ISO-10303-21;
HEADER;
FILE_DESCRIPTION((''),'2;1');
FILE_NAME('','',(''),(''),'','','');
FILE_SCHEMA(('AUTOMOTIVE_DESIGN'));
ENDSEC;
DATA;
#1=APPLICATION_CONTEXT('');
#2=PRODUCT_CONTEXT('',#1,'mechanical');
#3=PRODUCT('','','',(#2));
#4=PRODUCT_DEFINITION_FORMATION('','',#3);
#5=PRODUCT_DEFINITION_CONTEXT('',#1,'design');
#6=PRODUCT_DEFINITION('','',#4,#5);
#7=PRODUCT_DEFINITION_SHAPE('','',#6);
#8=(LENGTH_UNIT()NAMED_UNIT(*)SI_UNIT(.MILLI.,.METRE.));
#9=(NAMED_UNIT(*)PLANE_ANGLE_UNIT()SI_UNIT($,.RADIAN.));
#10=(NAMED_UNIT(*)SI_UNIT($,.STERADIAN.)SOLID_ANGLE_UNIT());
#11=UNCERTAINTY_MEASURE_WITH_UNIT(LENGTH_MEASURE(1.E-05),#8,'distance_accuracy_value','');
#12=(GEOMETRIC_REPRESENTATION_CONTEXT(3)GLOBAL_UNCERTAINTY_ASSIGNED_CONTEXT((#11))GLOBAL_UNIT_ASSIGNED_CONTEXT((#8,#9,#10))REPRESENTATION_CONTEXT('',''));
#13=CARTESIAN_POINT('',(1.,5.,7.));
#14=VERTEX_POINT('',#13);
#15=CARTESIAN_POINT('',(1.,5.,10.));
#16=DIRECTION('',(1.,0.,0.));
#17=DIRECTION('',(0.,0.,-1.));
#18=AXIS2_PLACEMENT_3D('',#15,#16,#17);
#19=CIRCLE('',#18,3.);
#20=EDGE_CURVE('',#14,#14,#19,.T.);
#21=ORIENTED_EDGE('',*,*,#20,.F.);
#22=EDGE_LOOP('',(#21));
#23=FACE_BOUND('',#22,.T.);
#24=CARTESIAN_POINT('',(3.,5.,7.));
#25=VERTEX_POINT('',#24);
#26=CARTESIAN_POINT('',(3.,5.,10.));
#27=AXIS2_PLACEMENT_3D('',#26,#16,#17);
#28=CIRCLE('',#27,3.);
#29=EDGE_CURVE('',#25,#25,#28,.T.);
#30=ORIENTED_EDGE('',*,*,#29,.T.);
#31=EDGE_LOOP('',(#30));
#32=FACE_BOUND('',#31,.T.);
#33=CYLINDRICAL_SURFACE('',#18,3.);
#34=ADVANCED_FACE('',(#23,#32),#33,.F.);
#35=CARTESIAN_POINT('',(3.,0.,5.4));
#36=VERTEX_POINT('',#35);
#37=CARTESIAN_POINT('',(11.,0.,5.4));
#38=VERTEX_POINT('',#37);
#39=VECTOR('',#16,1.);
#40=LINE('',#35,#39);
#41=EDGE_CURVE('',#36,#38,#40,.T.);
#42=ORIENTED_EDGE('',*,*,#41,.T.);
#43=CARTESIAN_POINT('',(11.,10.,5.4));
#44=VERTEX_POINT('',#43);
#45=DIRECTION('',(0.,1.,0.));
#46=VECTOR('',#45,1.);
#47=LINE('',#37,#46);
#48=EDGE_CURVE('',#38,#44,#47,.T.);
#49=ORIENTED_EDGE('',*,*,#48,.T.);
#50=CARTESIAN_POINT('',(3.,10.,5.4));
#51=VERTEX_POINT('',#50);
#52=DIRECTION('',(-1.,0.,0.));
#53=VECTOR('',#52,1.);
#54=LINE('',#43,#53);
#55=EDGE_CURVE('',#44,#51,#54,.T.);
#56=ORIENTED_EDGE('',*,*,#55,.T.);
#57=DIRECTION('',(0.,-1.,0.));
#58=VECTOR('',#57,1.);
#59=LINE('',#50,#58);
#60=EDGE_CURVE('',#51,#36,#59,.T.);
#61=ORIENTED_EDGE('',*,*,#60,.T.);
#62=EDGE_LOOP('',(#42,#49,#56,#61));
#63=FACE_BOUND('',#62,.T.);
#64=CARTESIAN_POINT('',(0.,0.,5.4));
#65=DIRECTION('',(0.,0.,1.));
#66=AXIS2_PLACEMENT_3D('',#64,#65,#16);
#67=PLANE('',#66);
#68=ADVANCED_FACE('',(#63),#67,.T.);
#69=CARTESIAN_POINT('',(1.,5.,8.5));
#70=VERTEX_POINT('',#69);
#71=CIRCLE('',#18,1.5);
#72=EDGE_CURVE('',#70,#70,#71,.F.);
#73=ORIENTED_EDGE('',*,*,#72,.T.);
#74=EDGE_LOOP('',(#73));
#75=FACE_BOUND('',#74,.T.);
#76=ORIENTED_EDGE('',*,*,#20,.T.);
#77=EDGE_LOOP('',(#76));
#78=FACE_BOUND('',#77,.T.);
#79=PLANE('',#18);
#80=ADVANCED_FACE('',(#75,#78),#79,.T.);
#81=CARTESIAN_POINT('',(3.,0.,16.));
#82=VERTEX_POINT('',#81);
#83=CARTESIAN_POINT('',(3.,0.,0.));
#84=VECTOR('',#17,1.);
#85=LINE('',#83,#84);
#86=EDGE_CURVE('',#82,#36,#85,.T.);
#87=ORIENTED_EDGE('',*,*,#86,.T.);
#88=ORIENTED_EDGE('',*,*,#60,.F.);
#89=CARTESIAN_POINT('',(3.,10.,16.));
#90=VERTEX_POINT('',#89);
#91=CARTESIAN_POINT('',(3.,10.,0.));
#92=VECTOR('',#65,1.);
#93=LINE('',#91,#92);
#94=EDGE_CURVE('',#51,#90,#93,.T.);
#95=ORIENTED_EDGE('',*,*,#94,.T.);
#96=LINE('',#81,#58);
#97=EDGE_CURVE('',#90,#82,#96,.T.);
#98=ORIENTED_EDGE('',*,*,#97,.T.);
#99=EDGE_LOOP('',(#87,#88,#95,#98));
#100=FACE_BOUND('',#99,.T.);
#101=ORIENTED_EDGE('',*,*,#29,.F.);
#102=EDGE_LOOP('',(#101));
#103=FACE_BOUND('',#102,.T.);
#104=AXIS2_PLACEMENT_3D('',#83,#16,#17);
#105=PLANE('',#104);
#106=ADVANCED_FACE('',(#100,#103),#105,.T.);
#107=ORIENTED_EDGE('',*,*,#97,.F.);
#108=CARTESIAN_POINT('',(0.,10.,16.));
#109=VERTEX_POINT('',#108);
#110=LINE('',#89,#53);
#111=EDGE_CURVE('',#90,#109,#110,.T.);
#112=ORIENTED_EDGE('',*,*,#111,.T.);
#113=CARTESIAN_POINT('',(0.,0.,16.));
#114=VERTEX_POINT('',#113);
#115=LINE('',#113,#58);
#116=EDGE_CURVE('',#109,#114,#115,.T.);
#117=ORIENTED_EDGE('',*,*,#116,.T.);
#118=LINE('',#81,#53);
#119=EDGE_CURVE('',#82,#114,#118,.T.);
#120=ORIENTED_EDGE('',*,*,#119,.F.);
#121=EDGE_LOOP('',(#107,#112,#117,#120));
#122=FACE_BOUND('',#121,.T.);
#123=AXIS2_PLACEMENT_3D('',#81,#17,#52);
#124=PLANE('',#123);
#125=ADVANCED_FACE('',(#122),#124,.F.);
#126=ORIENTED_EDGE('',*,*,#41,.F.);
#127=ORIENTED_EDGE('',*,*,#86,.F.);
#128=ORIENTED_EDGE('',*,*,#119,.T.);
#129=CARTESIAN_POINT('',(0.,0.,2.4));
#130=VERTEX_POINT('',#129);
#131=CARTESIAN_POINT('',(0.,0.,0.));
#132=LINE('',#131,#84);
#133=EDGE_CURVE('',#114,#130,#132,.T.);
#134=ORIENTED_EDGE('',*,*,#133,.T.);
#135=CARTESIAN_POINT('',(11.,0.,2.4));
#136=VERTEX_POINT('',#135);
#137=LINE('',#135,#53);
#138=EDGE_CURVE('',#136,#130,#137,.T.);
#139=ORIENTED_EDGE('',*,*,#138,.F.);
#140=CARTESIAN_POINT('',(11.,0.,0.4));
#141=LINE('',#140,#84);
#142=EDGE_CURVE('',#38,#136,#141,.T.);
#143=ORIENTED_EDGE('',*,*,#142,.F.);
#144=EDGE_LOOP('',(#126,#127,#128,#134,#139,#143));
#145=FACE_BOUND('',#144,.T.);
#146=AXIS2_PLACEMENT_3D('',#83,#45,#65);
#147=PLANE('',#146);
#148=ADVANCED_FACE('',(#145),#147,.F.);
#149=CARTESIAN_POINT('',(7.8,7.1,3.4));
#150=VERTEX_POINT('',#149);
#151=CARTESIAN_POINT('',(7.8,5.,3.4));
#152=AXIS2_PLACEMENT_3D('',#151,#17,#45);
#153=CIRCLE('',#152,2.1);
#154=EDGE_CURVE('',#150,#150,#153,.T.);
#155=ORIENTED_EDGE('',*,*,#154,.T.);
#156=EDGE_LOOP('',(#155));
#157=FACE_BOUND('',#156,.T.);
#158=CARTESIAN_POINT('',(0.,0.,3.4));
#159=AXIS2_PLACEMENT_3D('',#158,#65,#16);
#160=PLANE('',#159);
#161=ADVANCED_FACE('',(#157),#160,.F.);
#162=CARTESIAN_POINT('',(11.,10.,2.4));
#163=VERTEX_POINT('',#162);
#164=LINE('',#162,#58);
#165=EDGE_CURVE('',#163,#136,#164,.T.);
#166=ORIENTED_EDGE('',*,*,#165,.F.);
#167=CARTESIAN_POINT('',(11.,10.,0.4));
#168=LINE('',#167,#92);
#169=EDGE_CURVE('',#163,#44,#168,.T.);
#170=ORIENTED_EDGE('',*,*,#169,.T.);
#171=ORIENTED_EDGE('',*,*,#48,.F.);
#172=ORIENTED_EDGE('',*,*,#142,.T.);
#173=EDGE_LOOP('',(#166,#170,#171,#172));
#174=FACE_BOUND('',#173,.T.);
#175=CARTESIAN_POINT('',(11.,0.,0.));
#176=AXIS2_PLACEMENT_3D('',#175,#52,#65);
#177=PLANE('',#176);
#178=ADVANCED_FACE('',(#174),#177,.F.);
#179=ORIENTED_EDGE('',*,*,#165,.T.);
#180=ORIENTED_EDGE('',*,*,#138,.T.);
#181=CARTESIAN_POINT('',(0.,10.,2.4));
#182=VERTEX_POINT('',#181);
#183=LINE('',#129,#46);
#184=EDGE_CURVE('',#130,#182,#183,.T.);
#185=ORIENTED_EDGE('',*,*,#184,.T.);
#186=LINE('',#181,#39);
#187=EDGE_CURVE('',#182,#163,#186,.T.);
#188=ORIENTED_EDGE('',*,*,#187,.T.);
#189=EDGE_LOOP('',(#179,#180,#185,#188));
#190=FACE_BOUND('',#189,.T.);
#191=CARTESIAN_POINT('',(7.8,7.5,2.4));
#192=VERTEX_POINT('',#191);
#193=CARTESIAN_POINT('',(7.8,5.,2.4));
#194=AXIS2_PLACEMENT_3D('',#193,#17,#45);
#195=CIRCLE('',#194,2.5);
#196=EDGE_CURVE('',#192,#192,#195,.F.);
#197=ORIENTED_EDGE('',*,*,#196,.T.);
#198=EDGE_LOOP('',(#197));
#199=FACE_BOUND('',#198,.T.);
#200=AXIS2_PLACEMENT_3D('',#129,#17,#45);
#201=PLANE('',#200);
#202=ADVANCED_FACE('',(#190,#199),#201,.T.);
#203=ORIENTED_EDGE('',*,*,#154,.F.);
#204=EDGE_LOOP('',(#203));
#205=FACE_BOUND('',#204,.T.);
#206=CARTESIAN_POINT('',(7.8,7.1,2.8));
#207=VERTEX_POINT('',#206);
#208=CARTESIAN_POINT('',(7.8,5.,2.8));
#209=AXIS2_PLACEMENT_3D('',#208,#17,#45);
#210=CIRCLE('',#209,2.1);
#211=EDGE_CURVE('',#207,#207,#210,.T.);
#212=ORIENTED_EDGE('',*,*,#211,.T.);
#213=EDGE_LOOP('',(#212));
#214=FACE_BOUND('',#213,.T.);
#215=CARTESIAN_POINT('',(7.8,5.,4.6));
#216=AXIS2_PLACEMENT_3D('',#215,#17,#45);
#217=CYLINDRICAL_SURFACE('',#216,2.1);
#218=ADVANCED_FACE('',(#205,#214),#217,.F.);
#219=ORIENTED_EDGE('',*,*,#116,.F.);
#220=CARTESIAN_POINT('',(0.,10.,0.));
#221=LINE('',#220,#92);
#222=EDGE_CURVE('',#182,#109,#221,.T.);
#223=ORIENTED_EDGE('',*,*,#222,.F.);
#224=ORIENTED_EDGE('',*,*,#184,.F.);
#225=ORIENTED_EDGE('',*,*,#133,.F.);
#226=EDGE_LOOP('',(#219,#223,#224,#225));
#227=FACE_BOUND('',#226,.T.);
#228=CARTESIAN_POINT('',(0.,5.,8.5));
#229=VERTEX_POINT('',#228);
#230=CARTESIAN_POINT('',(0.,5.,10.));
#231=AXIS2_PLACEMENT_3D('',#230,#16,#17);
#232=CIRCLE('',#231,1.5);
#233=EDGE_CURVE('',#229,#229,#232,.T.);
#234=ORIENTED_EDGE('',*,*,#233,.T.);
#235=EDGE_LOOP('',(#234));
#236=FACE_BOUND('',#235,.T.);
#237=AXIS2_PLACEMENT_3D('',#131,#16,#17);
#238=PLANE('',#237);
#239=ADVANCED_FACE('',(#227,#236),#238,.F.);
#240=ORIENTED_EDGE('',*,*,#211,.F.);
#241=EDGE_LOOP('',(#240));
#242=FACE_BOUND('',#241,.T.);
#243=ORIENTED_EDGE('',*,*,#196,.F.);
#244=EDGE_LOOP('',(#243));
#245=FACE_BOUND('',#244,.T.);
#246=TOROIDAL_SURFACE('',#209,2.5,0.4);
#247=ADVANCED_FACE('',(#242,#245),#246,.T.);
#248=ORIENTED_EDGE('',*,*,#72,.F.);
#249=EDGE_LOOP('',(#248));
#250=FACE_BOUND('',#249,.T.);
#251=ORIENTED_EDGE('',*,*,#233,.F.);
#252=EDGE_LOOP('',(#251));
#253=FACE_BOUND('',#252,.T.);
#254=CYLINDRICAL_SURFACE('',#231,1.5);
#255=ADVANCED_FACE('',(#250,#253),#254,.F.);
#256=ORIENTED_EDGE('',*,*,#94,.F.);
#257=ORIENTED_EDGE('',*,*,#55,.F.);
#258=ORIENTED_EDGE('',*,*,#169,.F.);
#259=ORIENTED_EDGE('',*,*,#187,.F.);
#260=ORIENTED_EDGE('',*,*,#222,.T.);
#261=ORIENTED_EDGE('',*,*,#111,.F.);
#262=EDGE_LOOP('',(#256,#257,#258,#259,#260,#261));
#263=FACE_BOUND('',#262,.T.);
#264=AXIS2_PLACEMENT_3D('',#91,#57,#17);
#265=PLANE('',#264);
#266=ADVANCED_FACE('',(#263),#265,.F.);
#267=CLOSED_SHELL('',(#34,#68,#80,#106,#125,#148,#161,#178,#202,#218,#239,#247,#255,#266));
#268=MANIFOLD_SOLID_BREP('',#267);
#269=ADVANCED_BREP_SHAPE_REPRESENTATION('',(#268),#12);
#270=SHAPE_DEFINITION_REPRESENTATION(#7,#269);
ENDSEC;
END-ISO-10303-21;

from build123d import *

# Parameters (mm, degrees)
SKETCH_1_W          = 16
SKETCH_1_H          = 10
EXTRUDE_1_DEPTH     = 3
SKETCH_2_W          = 3
SKETCH_2_H          = 10
EXTRUDE_2_DEPTH     = 8
SKETCH_3_R          = 1.5
CUT_EXTRUDE_1_DEPTH = 3
SKETCH_5_R          = 3
CUT_EXTRUDE_3_DEPTH = 2
SKETCH_7_W          = 0.4
SKETCH_7_H          = 10
CUT_EXTRUDE_4_DEPTH = 22
SKETCH_8_R          = 2.1
CUT_EXTRUDE_5_DEPTH = 4.2
SKETCH_9_W          = 8
SKETCH_9_H          = 10
EXTRUDE_3_DEPTH     = 2
SKETCH_10_W         = 11
SKETCH_10_H         = 10
CUT_EXTRUDE_6_DEPTH = 2
FILLET_1_R          = 0.4


with BuildPart() as part:
    # 草图1 → 凸台-拉伸1 (new body)
    with BuildSketch(Plane(origin=(0, 0, 0), x_dir=(0, 0, -1), z_dir=(1, 0, 0))):
        with Locations((-8, 5)):
            Rectangle(SKETCH_1_W, SKETCH_1_H)
    extrude(amount=EXTRUDE_1_DEPTH)

    # 草图2 → 凸台-拉伸2 (add)
    with BuildSketch(Plane(origin=(3, 0, 0), x_dir=(0, 0, -1), z_dir=(1, 0, 0))):
        with Locations((-1.9, 5)):
            Rectangle(SKETCH_2_W, SKETCH_2_H)
    extrude(amount=EXTRUDE_2_DEPTH)

    # 草图3 → 切除-拉伸1 (cut)
    with BuildSketch(Plane(origin=(3, 0, 0), x_dir=(0, 0, -1), z_dir=(1, 0, 0))):
        with Locations((-10, 5)):
            Circle(SKETCH_3_R)
    extrude(amount=-CUT_EXTRUDE_1_DEPTH, mode=Mode.SUBTRACT)

    # 草图5 → 切除-拉伸3 (cut)
    with BuildSketch(Plane(origin=(3, 0, 0), x_dir=(0, 0, -1), z_dir=(1, 0, 0))):
        with Locations((-10, 5)):
            Circle(SKETCH_5_R)
    extrude(amount=-CUT_EXTRUDE_3_DEPTH, mode=Mode.SUBTRACT)

    # 草图7 → 切除-拉伸4 (cut)
    with BuildSketch(Plane(origin=(3, 0, 0), x_dir=(0, 0, -1), z_dir=(1, 0, 0))):
        with Locations((-0.2, 5)):
            Rectangle(SKETCH_7_W, SKETCH_7_H)
    extrude(amount=-CUT_EXTRUDE_4_DEPTH, mode=Mode.SUBTRACT)

    # 草图8 → 切除-拉伸5 (cut)
    with BuildSketch(Plane(origin=(0, 0, 0.4), x_dir=(-1, 0, 0), z_dir=(0, 0, -1))):
        with Locations(Location((-7.8, 5, 0), (0, 0, 90))):
            Circle(SKETCH_8_R)
    extrude(amount=-CUT_EXTRUDE_5_DEPTH, mode=Mode.SUBTRACT)

    # 草图9 → 凸台-拉伸3 (add)
    with BuildSketch(Plane.XY.offset(3.4)):
        with Locations((7, 5)):
            Rectangle(SKETCH_9_W, SKETCH_9_H)
    extrude(amount=EXTRUDE_3_DEPTH)

    # 草图10 → 切除-拉伸6 (cut)
    with BuildSketch(Plane(origin=(0, 0, 0.4), x_dir=(-1, 0, 0), z_dir=(0, 0, -1))):
        with Locations((-5.5, 5)):
            Rectangle(SKETCH_10_W, SKETCH_10_H)
    extrude(amount=-CUT_EXTRUDE_6_DEPTH, mode=Mode.SUBTRACT)

    # 圆角1
    fillet_1_edges = [part.edges().sort_by_distance(p)[0] for p in [
        (7.8, 2.9, 2.4),
    ]]
    fillet(fillet_1_edges, radius=FILLET_1_R)


solid = part.part
